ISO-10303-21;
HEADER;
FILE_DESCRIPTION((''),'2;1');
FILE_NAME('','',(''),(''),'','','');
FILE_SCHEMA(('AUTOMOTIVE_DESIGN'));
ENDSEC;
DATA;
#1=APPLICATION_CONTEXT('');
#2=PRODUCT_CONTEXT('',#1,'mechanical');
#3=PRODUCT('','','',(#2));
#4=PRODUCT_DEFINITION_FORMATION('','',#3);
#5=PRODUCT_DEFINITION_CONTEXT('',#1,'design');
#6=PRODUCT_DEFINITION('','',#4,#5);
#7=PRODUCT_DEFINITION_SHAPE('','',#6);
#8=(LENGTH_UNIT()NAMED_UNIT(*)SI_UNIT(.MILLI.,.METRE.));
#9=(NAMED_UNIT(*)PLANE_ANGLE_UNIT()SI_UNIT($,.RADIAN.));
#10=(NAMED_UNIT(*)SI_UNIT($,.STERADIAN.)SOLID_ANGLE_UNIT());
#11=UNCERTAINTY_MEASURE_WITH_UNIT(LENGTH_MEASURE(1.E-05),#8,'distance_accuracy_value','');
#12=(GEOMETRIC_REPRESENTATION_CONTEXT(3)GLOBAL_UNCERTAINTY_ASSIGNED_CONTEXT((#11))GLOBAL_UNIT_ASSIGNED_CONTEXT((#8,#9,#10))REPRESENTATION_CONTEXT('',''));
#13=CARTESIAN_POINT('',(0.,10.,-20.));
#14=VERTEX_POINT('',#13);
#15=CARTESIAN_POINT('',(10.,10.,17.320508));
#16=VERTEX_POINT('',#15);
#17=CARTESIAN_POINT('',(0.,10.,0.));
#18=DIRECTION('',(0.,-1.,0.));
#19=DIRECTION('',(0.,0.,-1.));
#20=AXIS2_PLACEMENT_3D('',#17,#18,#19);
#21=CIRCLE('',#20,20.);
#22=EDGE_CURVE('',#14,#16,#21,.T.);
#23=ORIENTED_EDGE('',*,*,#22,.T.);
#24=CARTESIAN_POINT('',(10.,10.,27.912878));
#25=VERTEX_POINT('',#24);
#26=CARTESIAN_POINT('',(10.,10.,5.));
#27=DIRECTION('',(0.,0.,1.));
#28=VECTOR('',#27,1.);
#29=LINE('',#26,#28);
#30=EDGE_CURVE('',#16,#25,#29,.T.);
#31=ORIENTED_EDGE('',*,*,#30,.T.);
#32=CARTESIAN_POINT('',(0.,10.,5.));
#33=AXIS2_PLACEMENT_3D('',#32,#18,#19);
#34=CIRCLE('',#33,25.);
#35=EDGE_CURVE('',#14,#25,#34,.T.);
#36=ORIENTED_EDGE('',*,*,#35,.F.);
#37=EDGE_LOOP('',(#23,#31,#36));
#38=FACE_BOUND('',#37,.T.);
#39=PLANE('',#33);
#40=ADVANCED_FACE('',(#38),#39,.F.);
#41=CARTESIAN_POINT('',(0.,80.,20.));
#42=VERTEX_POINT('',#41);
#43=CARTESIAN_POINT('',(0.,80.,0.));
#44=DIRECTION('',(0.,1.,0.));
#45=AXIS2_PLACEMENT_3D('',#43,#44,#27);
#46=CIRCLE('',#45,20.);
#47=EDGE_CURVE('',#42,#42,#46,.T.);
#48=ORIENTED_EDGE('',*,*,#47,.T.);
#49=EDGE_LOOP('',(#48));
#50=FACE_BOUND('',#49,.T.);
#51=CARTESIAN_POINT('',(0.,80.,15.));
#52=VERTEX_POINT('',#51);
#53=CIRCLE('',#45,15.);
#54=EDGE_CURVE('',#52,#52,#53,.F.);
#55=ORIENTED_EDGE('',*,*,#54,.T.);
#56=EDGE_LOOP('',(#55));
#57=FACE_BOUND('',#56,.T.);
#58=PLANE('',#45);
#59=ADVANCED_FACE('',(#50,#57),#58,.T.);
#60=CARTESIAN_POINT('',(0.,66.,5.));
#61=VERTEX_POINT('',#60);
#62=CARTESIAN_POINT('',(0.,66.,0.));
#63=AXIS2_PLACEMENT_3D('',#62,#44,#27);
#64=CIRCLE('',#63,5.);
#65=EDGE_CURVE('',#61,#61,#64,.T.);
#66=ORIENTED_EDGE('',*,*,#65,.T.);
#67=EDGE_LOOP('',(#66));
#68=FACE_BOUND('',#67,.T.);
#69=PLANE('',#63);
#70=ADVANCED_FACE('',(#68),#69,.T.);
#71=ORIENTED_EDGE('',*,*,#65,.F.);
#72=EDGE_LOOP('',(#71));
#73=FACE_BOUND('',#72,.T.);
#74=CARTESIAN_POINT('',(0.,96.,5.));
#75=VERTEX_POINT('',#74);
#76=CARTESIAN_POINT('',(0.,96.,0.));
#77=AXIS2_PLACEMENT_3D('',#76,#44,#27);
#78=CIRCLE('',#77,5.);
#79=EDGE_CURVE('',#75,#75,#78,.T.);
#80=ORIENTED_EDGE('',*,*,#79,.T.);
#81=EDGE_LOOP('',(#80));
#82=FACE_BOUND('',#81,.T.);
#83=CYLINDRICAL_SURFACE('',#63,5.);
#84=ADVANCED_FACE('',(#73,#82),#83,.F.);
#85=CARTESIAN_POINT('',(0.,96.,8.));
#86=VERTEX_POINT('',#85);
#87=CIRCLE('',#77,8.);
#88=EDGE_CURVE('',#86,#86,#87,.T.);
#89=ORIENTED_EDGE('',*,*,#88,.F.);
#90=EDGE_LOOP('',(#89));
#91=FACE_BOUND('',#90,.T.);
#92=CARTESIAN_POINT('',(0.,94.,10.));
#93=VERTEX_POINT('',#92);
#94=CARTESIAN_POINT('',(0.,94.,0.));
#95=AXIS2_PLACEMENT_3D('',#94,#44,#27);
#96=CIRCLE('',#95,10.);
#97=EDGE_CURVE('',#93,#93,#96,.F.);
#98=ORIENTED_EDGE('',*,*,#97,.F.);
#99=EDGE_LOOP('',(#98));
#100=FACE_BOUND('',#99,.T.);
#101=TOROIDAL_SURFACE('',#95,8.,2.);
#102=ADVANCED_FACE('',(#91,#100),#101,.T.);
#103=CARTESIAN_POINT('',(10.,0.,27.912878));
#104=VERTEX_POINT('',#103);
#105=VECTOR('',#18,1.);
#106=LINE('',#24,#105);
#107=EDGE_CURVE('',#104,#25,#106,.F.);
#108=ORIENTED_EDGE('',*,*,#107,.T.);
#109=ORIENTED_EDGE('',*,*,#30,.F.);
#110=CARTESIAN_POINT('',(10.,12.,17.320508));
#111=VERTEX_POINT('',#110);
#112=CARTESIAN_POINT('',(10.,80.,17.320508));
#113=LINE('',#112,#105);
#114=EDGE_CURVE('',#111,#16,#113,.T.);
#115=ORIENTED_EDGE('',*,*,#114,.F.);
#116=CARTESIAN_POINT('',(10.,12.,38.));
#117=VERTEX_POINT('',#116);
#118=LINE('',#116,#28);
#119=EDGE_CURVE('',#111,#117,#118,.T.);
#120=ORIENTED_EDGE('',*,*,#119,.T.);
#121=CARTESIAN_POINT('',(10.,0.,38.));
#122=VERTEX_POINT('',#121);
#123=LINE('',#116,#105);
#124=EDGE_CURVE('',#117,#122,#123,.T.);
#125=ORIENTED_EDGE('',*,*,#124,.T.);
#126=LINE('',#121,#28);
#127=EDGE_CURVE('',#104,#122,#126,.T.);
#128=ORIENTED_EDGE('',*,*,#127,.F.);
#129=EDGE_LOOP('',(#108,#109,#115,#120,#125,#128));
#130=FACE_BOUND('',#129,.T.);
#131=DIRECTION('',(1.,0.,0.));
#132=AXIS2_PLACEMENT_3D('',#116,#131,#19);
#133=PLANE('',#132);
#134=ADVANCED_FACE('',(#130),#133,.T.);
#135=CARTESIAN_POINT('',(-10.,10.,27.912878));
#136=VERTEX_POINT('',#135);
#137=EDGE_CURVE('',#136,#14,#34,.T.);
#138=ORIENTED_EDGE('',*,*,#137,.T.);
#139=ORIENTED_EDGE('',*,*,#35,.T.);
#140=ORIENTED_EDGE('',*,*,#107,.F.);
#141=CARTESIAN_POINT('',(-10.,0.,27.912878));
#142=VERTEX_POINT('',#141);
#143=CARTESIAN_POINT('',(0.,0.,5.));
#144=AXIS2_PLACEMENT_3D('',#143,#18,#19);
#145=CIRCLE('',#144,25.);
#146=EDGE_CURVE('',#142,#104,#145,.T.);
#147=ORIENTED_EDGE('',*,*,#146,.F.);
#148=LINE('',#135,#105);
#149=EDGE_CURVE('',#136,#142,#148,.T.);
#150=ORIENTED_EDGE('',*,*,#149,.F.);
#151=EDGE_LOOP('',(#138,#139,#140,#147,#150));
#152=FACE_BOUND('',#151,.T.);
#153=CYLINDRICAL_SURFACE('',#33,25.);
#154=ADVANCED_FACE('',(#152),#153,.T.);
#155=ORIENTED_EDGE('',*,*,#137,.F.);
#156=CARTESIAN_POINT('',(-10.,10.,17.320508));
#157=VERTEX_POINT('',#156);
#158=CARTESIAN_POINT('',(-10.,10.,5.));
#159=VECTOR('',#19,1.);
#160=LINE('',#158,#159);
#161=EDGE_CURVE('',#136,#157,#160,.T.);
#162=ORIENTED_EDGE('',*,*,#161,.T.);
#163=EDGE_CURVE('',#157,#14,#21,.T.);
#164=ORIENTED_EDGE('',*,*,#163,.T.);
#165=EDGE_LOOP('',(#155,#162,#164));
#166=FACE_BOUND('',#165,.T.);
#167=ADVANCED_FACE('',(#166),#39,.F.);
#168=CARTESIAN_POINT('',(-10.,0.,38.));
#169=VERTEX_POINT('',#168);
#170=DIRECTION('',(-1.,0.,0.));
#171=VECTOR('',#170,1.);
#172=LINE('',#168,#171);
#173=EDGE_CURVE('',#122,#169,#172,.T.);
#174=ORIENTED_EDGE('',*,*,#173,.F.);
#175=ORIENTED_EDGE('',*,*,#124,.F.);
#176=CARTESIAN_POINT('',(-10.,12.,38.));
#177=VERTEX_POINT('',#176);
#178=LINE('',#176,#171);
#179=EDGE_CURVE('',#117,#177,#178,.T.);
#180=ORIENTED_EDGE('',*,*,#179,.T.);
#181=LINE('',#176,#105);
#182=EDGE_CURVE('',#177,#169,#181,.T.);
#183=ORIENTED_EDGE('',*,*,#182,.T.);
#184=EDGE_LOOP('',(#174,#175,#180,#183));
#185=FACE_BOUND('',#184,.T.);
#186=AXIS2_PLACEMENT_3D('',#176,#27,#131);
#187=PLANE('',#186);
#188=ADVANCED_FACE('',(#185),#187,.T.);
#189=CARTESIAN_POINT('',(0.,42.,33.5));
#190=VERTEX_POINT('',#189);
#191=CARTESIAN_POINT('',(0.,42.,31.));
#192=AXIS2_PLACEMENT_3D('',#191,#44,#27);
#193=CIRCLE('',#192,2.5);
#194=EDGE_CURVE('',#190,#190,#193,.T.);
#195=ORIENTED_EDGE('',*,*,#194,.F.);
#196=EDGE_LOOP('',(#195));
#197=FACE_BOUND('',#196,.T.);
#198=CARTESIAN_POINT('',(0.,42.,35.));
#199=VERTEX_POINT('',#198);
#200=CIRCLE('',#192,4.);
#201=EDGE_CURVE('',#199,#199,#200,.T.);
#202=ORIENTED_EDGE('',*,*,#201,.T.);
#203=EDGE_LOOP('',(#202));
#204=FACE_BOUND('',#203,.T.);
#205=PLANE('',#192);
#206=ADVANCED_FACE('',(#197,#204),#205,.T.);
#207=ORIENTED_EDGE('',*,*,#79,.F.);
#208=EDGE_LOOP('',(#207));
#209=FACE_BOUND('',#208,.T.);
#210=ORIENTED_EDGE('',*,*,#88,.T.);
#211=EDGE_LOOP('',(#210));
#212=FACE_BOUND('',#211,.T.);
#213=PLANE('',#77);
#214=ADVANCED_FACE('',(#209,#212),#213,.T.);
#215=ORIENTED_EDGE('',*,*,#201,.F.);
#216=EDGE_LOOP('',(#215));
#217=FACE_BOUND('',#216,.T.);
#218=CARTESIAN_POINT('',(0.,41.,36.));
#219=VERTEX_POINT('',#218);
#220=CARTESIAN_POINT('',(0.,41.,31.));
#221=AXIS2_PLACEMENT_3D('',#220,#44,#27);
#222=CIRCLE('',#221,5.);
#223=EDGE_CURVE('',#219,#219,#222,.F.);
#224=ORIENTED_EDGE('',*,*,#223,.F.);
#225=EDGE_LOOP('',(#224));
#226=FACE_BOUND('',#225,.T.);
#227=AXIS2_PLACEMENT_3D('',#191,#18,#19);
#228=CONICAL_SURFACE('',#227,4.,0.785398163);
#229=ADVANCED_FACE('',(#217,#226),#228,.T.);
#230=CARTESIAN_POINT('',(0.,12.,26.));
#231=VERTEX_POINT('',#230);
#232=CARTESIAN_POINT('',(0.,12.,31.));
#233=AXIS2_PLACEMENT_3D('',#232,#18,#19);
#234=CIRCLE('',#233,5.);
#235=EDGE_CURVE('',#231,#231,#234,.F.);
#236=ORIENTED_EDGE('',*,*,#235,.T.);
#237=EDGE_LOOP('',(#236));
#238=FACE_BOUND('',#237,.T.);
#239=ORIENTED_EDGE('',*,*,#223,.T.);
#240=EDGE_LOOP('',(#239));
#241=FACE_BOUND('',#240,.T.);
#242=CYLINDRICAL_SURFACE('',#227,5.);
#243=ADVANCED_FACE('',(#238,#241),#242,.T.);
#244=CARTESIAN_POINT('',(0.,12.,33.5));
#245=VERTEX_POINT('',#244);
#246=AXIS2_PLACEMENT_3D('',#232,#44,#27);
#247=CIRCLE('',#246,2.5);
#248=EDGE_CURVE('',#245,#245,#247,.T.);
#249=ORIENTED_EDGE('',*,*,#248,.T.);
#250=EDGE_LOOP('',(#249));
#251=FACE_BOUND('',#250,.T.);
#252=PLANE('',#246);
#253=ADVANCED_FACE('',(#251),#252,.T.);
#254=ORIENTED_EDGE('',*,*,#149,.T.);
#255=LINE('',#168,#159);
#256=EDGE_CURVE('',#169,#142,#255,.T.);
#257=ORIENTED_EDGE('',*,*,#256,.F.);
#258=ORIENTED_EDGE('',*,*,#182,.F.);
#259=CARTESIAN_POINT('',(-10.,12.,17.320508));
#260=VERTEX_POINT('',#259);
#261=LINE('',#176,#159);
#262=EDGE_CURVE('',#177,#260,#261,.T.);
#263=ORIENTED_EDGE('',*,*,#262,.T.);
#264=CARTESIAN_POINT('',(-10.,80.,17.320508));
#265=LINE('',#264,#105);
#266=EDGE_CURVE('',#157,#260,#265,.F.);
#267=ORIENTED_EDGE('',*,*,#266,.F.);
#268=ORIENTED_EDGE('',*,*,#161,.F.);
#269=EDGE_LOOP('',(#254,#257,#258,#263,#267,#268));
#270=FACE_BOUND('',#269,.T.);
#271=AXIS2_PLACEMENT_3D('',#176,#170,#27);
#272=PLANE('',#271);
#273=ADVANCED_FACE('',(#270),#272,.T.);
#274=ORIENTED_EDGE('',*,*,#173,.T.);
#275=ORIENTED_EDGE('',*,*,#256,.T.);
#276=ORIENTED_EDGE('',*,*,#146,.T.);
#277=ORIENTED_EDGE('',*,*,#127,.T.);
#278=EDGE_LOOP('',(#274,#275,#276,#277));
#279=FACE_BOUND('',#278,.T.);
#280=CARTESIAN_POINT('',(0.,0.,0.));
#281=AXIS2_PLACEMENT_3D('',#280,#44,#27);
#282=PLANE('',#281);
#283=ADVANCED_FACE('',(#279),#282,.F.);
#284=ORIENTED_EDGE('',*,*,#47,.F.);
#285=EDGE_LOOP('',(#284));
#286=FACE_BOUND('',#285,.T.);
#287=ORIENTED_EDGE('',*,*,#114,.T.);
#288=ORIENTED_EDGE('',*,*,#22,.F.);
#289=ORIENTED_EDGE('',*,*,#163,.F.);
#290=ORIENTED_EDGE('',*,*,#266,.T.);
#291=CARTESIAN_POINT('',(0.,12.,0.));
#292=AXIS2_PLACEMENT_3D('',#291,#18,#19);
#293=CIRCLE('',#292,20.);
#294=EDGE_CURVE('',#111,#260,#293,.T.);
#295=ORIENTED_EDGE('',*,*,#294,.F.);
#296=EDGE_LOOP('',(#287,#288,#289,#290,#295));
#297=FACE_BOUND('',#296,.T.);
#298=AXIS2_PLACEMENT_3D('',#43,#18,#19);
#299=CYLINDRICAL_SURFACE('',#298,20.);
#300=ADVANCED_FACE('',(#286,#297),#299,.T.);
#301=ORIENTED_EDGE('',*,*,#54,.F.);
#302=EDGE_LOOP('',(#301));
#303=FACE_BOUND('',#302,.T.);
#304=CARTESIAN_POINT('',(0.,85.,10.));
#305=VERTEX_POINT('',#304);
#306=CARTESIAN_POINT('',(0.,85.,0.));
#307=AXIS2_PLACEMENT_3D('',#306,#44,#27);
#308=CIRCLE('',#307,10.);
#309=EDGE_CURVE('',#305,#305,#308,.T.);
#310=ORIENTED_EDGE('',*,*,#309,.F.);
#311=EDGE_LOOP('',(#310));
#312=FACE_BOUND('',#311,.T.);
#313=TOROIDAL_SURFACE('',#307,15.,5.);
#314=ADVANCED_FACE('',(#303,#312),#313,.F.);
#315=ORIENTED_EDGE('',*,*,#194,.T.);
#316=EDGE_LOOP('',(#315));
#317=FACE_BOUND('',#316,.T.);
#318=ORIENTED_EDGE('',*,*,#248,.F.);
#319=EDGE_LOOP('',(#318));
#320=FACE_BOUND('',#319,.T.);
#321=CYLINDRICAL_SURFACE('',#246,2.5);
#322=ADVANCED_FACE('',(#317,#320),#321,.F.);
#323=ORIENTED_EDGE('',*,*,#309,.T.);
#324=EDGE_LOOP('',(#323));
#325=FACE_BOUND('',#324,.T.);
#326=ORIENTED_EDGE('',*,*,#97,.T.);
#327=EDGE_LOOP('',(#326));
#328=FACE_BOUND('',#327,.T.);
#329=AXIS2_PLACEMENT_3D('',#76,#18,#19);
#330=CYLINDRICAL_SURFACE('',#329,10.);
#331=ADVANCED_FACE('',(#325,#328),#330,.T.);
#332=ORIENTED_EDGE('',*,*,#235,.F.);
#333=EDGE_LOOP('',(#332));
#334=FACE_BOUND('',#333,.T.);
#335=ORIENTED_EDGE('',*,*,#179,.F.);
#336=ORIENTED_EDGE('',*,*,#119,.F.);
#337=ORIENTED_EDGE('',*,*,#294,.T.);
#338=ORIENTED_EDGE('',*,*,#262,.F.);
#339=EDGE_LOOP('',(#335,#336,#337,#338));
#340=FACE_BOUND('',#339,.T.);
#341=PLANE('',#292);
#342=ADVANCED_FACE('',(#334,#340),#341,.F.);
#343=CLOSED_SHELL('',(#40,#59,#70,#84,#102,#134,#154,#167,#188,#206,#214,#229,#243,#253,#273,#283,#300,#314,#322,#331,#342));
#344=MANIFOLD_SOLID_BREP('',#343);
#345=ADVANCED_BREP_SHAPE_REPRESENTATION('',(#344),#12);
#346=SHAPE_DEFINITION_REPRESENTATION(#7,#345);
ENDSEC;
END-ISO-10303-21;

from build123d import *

# Parameters (mm, degrees)
SKETCH_1_R          = 20
EXTRUDE_1_DEPTH     = 80
SKETCH_2_R          = 10
EXTRUDE_2_DEPTH     = 16
SKETCH_3_R          = 25
EXTRUDE_3_DEPTH     = 10
SKETCH_4_W          = 20
SKETCH_4_H          = 38
EXTRUDE_4_DEPTH     = 12
SKETCH_5_R          = 5
EXTRUDE_5_DEPTH     = 30
FILLET_1_R          = 5
FILLET_2_R          = 2
SKETCH_6_R          = 5
CUT_EXTRUDE_1_DEPTH = 30
SKETCH_7_R          = 2.5
CUT_EXTRUDE_2_DEPTH = 30
CHAMFER_1_SIZE      = 1


with BuildPart() as part:
    # Эскиз1 → Бобышка-Вытянуть1 (new body)
    with BuildSketch(Plane(origin=(0, 0, 0), x_dir=(1, 0, 0), z_dir=(0, 1, 0))):
        with Locations(Location((0, 0, 0), (0, 0, 270))):
            Circle(SKETCH_1_R)
    extrude(amount=EXTRUDE_1_DEPTH)

    # Эскиз2 → Бобышка-Вытянуть2 (add)
    with BuildSketch(Plane(origin=(0, 80, 0), x_dir=(1, 0, 0), z_dir=(0, 1, 0))):
        with Locations(Location((0, 0, 0), (0, 0, 270))):
            Circle(SKETCH_2_R)
    extrude(amount=EXTRUDE_2_DEPTH)

    # Эскиз3 → Бобышка-Вытянуть3 (add)
    with BuildSketch(Plane.XZ):
        with Locations(Location((0, 5, 0), (0, 0, 270))):
            Circle(SKETCH_3_R)
    extrude(amount=-EXTRUDE_3_DEPTH)

    # Эскиз4 → Бобышка-Вытянуть4 (add)
    with BuildSketch(Plane.XZ):
        with Locations((0, 19)):
            Rectangle(SKETCH_4_W, SKETCH_4_H)
    extrude(amount=-EXTRUDE_4_DEPTH)

    # Эскиз5 → Бобышка-Вытянуть5 (add)
    with BuildSketch(Plane(origin=(0, 12, 0), x_dir=(1, 0, 0), z_dir=(0, 1, 0))):
        with Locations(Location((0, -31, 0), (0, 0, 90))):
            Circle(SKETCH_5_R)
    extrude(amount=EXTRUDE_5_DEPTH)

    # Скругление1
    fillet_1_edges = [part.edges().sort_by_distance(p)[0] for p in [
        (0, 80, -10),
    ]]
    fillet(fillet_1_edges, radius=FILLET_1_R)

    # Скругление2
    fillet_2_edges = [part.edges().sort_by_distance(p)[0] for p in [
        (0, 96, -10),
    ]]
    fillet(fillet_2_edges, radius=FILLET_2_R)

    # Эскиз6 → Вырез-Вытянуть1 (cut)
    with BuildSketch(Plane(origin=(0, 96, 0), x_dir=(1, 0, 0), z_dir=(0, 1, 0))):
        with Locations(Location((0, 0, 0), (0, 0, 270))):
            Circle(SKETCH_6_R)
    extrude(amount=-CUT_EXTRUDE_1_DEPTH, mode=Mode.SUBTRACT)

    # Эскиз7 → Вырез-Вытянуть2 (cut)
    with BuildSketch(Plane(origin=(0, 42, 0), x_dir=(1, 0, 0), z_dir=(0, 1, 0))):
        with Locations(Location((0, -31, 0), (0, 0, 270))):
            Circle(SKETCH_7_R)
    extrude(amount=-CUT_EXTRUDE_2_DEPTH, mode=Mode.SUBTRACT)

    # Фаска1
    chamfer_1_edges = [part.edges().sort_by_distance(p)[0] for p in [
        (0, 42, 36),
    ]]
    chamfer(chamfer_1_edges, length=CHAMFER_1_SIZE)


solid = part.part
